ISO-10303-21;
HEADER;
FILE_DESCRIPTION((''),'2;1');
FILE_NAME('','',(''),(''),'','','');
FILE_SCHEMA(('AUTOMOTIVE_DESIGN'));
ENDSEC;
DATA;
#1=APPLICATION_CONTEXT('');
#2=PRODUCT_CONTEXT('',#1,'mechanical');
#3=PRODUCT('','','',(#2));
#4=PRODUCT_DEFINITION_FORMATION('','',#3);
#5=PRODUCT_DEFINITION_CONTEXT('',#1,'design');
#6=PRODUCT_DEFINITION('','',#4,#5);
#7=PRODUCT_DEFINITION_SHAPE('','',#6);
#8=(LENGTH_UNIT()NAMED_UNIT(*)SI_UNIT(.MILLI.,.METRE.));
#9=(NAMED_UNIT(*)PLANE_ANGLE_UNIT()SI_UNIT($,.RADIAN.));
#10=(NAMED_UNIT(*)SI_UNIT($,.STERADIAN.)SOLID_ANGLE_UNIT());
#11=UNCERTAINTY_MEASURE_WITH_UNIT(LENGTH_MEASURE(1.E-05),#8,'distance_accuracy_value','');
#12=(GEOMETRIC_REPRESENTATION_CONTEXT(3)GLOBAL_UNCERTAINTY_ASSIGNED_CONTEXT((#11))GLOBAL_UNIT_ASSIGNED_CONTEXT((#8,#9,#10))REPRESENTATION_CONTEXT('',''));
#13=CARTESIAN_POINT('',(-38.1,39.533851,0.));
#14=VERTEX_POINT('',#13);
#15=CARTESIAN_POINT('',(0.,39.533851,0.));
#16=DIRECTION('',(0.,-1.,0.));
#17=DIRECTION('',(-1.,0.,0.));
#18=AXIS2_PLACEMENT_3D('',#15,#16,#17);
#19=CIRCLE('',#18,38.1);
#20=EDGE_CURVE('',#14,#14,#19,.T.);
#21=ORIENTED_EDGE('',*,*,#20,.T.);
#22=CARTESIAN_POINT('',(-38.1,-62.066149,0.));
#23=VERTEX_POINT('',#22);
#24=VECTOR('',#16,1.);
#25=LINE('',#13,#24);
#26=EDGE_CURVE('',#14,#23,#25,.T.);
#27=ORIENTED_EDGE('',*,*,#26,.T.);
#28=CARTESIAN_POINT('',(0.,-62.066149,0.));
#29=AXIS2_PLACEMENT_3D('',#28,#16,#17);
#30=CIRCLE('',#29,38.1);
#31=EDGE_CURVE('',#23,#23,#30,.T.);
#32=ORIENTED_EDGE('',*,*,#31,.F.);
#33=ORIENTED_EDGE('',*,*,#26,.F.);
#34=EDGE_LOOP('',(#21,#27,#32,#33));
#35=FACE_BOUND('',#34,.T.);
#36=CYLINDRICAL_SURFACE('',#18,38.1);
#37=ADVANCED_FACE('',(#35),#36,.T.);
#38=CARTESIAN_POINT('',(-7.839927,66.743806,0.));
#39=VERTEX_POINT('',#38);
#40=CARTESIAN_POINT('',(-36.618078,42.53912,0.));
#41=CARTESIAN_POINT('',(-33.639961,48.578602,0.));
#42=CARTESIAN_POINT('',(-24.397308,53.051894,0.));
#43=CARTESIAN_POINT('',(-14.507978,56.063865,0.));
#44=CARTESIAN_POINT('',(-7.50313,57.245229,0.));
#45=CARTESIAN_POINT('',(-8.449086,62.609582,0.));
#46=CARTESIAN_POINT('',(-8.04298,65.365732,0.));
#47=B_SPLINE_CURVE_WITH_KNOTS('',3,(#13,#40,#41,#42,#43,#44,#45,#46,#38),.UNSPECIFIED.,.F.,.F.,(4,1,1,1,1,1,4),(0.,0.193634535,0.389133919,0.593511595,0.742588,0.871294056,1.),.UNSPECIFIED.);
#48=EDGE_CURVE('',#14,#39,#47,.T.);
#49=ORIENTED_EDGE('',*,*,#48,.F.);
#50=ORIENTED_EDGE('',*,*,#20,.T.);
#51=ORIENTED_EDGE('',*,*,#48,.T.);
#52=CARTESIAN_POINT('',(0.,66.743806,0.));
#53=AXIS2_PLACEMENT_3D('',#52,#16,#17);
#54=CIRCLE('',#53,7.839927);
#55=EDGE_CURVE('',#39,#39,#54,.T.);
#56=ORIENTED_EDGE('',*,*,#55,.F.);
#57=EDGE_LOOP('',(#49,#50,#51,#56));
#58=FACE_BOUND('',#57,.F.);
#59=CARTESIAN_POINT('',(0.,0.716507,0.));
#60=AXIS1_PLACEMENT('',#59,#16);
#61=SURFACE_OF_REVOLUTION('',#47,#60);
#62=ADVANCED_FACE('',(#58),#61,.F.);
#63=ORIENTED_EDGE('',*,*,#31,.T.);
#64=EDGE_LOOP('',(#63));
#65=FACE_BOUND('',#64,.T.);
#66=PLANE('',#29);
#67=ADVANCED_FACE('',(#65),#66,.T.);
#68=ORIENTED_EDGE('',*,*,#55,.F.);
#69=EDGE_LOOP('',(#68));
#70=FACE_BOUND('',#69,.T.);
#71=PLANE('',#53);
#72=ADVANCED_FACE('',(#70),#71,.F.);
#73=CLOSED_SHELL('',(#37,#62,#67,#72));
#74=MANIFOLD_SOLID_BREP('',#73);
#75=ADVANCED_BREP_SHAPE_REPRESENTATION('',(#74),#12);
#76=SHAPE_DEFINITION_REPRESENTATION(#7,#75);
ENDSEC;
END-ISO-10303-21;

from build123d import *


with BuildPart() as f2:
    # F0 (on Top) → F2 (revolve)
    with BuildSketch(Plane.XY):
        with BuildLine():
            add(Edge.make_bspline(
                [(-38.1, 39.5338508313), (-36.6180778054, 42.5391201972), (-33.6399613637, 48.5786019887), (-24.3973083767, 53.0518938487), (-14.5079778701, 56.0638652754), (-7.5031304814, 57.2452287807), (-8.4490862897, 62.6095818203), (-8.0429797173, 65.3657316722), (-7.8399265185, 66.7438060045)],
                knots=[0, 0, 0, 0, 0.1936345345, 0.3891339187, 0.5935115949, 0.7425880004, 0.8712940556, 1, 1, 1, 1], degree=3))
            Line((-38.1, 39.5338508313), (-38.1, -62.0661491687))
            Line((-38.1, -62.0661491687), (0, -62.0661491687))
            Line((0, -62.0661491687), (0, 66.7438060045))
            Line((0, 66.7438060045), (-7.8399265185, 66.7438060045))
        make_face()
    revolve(axis=Axis((0, 0.7165074348, 0), (0, -1, 0)))


solid = f2.part
